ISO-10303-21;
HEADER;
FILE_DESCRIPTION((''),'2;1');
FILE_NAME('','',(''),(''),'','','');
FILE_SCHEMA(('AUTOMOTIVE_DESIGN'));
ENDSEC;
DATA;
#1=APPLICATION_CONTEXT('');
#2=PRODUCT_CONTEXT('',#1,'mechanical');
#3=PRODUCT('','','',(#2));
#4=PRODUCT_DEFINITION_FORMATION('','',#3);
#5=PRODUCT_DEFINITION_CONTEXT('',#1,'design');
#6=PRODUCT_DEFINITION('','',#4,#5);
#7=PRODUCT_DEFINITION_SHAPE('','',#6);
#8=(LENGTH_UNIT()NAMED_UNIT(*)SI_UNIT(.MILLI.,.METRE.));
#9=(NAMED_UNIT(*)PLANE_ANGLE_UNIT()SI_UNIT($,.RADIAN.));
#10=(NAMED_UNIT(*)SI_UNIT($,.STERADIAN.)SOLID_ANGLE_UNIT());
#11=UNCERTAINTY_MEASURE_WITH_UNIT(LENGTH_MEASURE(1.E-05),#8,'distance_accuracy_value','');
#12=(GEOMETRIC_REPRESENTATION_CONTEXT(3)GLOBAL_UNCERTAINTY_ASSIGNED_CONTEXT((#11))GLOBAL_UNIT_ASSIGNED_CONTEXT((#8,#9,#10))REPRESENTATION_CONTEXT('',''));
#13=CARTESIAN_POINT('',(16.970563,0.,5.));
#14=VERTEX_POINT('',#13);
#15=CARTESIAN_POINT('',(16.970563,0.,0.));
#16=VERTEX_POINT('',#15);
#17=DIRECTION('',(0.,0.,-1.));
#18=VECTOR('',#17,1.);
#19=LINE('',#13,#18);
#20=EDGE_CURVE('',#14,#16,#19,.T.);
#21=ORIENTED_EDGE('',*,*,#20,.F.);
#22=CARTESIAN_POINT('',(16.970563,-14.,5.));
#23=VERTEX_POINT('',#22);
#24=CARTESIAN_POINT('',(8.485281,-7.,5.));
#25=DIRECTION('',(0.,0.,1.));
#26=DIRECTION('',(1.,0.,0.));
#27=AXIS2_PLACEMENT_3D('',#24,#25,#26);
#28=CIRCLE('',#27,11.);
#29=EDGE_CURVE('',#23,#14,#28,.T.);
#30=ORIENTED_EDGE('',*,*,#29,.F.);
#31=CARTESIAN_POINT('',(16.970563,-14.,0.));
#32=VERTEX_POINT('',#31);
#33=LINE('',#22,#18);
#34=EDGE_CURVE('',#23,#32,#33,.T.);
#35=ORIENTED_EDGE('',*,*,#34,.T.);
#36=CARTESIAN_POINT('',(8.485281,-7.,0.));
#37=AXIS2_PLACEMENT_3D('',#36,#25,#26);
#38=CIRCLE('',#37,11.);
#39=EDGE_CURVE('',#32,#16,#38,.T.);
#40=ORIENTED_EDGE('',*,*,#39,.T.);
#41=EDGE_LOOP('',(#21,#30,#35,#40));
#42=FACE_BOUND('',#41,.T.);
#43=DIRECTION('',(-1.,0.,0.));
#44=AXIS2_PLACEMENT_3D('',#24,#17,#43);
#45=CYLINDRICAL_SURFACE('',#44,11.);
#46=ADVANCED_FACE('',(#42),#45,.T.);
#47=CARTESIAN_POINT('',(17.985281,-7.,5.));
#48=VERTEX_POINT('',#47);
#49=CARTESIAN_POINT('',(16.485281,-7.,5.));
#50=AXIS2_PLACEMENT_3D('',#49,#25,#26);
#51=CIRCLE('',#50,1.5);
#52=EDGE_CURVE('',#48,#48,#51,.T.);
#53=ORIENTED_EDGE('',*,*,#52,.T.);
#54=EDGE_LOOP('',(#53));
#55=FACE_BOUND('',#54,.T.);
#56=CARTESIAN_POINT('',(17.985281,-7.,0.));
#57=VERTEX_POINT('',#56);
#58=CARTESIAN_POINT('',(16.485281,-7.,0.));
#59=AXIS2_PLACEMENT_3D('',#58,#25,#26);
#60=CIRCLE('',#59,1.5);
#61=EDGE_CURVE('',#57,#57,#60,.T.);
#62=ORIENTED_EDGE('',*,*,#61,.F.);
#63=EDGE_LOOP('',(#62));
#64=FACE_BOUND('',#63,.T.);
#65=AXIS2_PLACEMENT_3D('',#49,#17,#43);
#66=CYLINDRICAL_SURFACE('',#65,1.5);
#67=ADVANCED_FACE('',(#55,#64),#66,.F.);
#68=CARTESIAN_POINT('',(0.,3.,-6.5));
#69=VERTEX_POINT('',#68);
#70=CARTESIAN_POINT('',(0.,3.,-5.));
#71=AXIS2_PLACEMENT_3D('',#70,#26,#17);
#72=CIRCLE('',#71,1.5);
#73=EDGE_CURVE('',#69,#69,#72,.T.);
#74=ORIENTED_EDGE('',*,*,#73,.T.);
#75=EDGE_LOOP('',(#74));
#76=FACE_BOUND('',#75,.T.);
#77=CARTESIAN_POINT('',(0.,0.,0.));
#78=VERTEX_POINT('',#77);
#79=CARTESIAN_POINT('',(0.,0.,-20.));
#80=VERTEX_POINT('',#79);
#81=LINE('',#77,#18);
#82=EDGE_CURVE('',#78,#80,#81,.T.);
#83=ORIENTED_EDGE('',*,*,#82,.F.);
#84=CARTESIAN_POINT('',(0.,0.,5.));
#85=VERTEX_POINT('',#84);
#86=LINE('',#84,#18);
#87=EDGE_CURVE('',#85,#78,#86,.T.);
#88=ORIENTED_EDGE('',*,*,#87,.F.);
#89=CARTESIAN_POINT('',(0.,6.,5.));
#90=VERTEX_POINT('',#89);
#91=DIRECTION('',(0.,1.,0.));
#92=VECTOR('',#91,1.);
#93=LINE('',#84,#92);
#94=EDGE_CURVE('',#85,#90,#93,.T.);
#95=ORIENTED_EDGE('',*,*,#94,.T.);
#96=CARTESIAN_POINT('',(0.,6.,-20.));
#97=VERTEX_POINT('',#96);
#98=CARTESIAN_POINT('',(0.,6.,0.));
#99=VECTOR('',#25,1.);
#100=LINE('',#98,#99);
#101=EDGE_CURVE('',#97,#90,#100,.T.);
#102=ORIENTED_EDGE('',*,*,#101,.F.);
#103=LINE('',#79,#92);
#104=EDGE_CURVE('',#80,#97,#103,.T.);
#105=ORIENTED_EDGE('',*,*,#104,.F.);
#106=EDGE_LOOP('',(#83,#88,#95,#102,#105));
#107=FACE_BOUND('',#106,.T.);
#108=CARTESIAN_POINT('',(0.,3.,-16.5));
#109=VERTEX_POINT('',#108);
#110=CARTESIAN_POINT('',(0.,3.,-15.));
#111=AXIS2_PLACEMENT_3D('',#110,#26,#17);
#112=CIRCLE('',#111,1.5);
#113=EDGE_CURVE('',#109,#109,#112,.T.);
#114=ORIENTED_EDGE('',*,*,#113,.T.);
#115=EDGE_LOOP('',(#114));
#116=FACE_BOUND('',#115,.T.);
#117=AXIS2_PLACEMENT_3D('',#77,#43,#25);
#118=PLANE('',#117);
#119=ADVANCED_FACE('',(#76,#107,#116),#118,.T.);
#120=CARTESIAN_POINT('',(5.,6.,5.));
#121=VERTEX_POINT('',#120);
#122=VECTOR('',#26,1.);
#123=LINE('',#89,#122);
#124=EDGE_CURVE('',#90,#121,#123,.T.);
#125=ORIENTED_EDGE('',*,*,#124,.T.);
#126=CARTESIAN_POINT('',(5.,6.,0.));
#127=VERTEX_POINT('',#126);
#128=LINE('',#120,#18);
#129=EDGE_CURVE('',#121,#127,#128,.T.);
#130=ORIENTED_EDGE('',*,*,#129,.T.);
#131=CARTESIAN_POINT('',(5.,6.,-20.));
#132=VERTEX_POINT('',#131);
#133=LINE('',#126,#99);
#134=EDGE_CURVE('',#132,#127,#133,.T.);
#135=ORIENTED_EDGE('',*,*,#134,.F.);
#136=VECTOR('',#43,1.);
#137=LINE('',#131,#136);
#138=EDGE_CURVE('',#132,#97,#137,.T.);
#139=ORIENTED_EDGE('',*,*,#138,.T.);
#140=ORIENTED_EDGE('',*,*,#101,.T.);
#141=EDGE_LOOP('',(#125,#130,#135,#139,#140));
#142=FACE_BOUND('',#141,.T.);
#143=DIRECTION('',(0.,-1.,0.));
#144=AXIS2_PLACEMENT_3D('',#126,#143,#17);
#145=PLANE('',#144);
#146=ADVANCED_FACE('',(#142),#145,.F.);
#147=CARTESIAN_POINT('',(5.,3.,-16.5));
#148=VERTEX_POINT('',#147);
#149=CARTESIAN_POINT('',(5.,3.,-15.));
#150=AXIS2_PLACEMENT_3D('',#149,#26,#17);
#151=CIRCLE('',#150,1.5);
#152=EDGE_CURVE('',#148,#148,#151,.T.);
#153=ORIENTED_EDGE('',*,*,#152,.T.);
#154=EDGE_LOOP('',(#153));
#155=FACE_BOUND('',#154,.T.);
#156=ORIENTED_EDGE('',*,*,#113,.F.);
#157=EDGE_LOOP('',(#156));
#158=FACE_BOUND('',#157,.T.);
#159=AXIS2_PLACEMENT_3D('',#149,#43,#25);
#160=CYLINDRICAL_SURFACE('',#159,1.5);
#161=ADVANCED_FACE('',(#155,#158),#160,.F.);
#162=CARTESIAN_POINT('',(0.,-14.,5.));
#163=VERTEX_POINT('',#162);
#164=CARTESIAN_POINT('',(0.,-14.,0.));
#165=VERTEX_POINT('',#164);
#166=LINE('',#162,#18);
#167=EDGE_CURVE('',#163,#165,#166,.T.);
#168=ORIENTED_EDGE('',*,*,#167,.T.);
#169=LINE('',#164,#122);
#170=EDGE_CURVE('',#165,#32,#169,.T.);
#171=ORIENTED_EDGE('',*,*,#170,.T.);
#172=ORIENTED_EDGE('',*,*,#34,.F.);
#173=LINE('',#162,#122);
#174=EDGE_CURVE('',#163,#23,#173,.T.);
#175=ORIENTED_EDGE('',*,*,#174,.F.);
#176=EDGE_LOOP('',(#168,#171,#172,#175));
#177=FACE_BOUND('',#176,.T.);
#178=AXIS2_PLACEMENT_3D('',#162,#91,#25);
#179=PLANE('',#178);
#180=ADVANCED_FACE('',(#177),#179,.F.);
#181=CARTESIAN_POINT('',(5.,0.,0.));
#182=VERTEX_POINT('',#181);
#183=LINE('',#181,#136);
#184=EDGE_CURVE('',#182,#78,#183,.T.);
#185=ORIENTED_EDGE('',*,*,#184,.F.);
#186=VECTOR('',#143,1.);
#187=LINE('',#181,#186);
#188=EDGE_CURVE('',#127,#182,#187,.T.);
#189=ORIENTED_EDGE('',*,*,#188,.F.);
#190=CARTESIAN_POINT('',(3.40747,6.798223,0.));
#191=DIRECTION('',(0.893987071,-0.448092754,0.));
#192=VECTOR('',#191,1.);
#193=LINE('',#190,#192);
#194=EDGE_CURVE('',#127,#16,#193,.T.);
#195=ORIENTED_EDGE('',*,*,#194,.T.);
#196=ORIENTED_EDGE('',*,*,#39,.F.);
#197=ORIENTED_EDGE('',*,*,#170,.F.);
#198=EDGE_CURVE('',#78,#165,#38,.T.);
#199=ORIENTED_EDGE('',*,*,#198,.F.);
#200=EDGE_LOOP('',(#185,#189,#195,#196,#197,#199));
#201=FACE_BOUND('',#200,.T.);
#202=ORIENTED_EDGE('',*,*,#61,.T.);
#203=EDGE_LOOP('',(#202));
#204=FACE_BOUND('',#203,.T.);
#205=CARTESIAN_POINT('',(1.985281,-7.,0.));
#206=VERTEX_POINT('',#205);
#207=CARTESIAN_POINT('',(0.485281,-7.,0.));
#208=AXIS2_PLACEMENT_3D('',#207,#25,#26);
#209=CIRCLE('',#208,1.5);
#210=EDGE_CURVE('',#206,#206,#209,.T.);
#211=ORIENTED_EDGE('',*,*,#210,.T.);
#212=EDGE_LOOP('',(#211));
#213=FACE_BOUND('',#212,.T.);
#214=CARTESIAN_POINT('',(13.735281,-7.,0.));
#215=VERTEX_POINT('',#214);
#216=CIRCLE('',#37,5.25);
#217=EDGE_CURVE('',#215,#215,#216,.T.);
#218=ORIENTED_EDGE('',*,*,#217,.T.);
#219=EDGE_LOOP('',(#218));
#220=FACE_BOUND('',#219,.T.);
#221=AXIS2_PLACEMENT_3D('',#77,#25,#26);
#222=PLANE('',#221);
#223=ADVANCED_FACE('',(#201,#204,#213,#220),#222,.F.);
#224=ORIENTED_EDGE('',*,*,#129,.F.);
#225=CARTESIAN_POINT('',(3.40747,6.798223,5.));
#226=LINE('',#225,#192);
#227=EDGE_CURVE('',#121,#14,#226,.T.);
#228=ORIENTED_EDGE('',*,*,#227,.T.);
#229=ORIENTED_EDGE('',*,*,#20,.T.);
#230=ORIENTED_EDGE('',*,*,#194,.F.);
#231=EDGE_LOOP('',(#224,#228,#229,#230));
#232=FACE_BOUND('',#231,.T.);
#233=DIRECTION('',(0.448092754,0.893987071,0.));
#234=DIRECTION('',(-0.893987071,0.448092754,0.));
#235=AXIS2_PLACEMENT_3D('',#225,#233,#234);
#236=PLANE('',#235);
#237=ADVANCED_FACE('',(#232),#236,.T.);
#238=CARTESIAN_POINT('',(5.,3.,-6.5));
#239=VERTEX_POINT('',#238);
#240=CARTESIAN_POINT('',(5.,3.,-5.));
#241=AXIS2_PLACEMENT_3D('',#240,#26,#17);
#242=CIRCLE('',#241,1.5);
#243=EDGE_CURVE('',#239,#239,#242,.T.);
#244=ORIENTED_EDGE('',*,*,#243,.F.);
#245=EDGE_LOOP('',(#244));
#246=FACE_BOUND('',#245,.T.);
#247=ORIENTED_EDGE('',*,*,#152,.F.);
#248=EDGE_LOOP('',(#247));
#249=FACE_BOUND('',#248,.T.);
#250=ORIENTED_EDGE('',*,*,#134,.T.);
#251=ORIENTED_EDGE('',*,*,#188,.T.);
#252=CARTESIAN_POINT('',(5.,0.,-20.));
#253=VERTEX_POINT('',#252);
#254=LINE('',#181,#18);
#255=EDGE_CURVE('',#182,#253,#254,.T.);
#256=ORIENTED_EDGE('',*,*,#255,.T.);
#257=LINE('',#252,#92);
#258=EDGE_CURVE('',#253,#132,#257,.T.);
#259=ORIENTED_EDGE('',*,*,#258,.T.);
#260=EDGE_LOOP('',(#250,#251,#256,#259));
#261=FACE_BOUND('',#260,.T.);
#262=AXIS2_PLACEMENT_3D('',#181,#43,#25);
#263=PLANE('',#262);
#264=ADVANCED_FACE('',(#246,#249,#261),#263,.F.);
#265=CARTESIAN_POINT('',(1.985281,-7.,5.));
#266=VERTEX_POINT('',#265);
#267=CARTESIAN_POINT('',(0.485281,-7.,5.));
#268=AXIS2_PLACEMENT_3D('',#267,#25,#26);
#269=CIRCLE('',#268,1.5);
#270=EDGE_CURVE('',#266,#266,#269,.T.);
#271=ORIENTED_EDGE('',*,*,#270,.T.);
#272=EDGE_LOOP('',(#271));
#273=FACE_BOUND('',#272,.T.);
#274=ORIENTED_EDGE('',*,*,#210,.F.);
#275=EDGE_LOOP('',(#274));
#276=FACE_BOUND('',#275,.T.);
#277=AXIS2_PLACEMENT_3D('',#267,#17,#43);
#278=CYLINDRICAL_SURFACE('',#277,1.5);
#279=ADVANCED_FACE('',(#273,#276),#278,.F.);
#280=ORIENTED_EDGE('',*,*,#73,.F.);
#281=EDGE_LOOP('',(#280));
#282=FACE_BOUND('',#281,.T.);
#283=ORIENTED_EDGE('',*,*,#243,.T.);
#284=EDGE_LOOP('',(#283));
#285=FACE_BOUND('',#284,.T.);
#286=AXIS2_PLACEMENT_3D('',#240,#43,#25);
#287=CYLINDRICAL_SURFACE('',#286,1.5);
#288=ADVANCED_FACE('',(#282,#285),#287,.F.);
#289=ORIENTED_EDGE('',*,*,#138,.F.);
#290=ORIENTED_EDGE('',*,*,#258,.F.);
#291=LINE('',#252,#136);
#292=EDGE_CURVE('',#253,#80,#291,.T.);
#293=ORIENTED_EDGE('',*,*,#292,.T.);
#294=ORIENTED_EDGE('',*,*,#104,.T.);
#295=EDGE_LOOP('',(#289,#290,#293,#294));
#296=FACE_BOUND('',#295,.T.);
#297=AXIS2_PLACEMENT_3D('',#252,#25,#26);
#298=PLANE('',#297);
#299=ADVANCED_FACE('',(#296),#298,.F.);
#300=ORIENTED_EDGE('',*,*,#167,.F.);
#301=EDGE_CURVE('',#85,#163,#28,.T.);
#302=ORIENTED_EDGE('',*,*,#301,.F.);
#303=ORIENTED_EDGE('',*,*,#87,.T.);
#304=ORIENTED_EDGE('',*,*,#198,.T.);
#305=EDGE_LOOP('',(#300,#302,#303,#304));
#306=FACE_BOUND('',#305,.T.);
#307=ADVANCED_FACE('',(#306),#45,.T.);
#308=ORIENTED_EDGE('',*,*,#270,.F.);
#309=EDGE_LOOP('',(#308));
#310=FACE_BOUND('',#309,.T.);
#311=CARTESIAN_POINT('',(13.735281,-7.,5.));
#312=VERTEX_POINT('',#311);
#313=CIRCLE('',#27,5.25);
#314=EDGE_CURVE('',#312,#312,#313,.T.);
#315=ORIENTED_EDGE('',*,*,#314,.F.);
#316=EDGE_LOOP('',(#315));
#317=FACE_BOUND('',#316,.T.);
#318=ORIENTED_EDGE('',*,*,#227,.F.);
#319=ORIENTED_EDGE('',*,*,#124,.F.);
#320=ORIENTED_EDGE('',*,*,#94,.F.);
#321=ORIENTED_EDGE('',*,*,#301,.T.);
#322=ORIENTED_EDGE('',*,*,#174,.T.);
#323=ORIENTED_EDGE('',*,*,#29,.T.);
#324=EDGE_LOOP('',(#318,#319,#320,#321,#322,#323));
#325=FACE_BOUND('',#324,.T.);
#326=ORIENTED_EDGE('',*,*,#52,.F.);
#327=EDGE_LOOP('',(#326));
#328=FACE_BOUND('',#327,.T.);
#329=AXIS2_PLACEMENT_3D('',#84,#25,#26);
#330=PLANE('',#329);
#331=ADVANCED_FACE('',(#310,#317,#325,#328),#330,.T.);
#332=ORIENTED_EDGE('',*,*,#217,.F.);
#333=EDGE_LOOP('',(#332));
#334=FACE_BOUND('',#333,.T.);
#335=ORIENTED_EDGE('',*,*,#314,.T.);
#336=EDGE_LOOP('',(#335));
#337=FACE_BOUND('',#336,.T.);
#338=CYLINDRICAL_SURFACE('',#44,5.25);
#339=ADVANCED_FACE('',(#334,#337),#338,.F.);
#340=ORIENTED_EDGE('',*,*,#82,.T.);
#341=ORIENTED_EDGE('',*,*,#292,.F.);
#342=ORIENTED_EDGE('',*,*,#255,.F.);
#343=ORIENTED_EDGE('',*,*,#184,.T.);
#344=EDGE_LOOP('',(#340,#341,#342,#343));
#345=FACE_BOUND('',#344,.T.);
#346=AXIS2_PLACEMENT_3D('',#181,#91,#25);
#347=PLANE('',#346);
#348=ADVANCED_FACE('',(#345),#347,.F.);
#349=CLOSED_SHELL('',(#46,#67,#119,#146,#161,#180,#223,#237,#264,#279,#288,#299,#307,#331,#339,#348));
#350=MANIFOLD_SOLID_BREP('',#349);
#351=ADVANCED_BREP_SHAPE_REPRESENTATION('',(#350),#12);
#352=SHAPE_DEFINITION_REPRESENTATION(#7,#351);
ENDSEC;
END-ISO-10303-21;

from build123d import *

# Parameters (mm, degrees)
SKETCH_1_W      = 20
SKETCH_1_H      = 6
SKETCH_1_R      = 1.5
EXTRUDE_1_DEPTH = 5
SKETCH_2_R      = 1.5
SKETCH_2_R_2    = 5.25
EXTRUDE_2_DEPTH = 5


with BuildPart() as part:
    # 草图1 → 凸台-拉伸1 (new body)
    with BuildSketch(Plane(origin=(0, 0, 0), x_dir=(0, 0, -1), z_dir=(1, 0, 0))):
        with Locations((10, 3)):
            Rectangle(SKETCH_1_W, SKETCH_1_H)
        with Locations((5, 3)):
            Circle(SKETCH_1_R, mode=Mode.SUBTRACT)
        with Locations((15, 3)):
            Circle(SKETCH_1_R, mode=Mode.SUBTRACT)
    extrude(amount=EXTRUDE_1_DEPTH)

    # 草图2 → 凸台-拉伸2 (add)
    # profile 1 of 2: a face of its own
    with BuildSketch(Plane.XY):
        with BuildLine():
            ThreePointArc((0, 0), (-2.514718626, -7), (0, -14))
            Line((0, -14), (16.970562748, -14))
            ThreePointArc((16.970562748, -14), (19.485281374, -7), (16.970562748, 0))
            Line((16.970562748, 0), (0, 0))
        make_face()
        with Locations((0.485281374, -7)):
            Circle(SKETCH_2_R, mode=Mode.SUBTRACT)
        with Locations((8.485281374, -7)):
            Circle(SKETCH_2_R_2, mode=Mode.SUBTRACT)
        with Locations((16.485281374, -7)):
            Circle(SKETCH_2_R, mode=Mode.SUBTRACT)
    # profile 2 of 2: a face of its own
    with BuildSketch(Plane.XY):
        Polygon((0, 6), (0, 0), (16.970562748, 0), (5, 6), align=None)
    extrude(amount=EXTRUDE_2_DEPTH)


solid = part.part
